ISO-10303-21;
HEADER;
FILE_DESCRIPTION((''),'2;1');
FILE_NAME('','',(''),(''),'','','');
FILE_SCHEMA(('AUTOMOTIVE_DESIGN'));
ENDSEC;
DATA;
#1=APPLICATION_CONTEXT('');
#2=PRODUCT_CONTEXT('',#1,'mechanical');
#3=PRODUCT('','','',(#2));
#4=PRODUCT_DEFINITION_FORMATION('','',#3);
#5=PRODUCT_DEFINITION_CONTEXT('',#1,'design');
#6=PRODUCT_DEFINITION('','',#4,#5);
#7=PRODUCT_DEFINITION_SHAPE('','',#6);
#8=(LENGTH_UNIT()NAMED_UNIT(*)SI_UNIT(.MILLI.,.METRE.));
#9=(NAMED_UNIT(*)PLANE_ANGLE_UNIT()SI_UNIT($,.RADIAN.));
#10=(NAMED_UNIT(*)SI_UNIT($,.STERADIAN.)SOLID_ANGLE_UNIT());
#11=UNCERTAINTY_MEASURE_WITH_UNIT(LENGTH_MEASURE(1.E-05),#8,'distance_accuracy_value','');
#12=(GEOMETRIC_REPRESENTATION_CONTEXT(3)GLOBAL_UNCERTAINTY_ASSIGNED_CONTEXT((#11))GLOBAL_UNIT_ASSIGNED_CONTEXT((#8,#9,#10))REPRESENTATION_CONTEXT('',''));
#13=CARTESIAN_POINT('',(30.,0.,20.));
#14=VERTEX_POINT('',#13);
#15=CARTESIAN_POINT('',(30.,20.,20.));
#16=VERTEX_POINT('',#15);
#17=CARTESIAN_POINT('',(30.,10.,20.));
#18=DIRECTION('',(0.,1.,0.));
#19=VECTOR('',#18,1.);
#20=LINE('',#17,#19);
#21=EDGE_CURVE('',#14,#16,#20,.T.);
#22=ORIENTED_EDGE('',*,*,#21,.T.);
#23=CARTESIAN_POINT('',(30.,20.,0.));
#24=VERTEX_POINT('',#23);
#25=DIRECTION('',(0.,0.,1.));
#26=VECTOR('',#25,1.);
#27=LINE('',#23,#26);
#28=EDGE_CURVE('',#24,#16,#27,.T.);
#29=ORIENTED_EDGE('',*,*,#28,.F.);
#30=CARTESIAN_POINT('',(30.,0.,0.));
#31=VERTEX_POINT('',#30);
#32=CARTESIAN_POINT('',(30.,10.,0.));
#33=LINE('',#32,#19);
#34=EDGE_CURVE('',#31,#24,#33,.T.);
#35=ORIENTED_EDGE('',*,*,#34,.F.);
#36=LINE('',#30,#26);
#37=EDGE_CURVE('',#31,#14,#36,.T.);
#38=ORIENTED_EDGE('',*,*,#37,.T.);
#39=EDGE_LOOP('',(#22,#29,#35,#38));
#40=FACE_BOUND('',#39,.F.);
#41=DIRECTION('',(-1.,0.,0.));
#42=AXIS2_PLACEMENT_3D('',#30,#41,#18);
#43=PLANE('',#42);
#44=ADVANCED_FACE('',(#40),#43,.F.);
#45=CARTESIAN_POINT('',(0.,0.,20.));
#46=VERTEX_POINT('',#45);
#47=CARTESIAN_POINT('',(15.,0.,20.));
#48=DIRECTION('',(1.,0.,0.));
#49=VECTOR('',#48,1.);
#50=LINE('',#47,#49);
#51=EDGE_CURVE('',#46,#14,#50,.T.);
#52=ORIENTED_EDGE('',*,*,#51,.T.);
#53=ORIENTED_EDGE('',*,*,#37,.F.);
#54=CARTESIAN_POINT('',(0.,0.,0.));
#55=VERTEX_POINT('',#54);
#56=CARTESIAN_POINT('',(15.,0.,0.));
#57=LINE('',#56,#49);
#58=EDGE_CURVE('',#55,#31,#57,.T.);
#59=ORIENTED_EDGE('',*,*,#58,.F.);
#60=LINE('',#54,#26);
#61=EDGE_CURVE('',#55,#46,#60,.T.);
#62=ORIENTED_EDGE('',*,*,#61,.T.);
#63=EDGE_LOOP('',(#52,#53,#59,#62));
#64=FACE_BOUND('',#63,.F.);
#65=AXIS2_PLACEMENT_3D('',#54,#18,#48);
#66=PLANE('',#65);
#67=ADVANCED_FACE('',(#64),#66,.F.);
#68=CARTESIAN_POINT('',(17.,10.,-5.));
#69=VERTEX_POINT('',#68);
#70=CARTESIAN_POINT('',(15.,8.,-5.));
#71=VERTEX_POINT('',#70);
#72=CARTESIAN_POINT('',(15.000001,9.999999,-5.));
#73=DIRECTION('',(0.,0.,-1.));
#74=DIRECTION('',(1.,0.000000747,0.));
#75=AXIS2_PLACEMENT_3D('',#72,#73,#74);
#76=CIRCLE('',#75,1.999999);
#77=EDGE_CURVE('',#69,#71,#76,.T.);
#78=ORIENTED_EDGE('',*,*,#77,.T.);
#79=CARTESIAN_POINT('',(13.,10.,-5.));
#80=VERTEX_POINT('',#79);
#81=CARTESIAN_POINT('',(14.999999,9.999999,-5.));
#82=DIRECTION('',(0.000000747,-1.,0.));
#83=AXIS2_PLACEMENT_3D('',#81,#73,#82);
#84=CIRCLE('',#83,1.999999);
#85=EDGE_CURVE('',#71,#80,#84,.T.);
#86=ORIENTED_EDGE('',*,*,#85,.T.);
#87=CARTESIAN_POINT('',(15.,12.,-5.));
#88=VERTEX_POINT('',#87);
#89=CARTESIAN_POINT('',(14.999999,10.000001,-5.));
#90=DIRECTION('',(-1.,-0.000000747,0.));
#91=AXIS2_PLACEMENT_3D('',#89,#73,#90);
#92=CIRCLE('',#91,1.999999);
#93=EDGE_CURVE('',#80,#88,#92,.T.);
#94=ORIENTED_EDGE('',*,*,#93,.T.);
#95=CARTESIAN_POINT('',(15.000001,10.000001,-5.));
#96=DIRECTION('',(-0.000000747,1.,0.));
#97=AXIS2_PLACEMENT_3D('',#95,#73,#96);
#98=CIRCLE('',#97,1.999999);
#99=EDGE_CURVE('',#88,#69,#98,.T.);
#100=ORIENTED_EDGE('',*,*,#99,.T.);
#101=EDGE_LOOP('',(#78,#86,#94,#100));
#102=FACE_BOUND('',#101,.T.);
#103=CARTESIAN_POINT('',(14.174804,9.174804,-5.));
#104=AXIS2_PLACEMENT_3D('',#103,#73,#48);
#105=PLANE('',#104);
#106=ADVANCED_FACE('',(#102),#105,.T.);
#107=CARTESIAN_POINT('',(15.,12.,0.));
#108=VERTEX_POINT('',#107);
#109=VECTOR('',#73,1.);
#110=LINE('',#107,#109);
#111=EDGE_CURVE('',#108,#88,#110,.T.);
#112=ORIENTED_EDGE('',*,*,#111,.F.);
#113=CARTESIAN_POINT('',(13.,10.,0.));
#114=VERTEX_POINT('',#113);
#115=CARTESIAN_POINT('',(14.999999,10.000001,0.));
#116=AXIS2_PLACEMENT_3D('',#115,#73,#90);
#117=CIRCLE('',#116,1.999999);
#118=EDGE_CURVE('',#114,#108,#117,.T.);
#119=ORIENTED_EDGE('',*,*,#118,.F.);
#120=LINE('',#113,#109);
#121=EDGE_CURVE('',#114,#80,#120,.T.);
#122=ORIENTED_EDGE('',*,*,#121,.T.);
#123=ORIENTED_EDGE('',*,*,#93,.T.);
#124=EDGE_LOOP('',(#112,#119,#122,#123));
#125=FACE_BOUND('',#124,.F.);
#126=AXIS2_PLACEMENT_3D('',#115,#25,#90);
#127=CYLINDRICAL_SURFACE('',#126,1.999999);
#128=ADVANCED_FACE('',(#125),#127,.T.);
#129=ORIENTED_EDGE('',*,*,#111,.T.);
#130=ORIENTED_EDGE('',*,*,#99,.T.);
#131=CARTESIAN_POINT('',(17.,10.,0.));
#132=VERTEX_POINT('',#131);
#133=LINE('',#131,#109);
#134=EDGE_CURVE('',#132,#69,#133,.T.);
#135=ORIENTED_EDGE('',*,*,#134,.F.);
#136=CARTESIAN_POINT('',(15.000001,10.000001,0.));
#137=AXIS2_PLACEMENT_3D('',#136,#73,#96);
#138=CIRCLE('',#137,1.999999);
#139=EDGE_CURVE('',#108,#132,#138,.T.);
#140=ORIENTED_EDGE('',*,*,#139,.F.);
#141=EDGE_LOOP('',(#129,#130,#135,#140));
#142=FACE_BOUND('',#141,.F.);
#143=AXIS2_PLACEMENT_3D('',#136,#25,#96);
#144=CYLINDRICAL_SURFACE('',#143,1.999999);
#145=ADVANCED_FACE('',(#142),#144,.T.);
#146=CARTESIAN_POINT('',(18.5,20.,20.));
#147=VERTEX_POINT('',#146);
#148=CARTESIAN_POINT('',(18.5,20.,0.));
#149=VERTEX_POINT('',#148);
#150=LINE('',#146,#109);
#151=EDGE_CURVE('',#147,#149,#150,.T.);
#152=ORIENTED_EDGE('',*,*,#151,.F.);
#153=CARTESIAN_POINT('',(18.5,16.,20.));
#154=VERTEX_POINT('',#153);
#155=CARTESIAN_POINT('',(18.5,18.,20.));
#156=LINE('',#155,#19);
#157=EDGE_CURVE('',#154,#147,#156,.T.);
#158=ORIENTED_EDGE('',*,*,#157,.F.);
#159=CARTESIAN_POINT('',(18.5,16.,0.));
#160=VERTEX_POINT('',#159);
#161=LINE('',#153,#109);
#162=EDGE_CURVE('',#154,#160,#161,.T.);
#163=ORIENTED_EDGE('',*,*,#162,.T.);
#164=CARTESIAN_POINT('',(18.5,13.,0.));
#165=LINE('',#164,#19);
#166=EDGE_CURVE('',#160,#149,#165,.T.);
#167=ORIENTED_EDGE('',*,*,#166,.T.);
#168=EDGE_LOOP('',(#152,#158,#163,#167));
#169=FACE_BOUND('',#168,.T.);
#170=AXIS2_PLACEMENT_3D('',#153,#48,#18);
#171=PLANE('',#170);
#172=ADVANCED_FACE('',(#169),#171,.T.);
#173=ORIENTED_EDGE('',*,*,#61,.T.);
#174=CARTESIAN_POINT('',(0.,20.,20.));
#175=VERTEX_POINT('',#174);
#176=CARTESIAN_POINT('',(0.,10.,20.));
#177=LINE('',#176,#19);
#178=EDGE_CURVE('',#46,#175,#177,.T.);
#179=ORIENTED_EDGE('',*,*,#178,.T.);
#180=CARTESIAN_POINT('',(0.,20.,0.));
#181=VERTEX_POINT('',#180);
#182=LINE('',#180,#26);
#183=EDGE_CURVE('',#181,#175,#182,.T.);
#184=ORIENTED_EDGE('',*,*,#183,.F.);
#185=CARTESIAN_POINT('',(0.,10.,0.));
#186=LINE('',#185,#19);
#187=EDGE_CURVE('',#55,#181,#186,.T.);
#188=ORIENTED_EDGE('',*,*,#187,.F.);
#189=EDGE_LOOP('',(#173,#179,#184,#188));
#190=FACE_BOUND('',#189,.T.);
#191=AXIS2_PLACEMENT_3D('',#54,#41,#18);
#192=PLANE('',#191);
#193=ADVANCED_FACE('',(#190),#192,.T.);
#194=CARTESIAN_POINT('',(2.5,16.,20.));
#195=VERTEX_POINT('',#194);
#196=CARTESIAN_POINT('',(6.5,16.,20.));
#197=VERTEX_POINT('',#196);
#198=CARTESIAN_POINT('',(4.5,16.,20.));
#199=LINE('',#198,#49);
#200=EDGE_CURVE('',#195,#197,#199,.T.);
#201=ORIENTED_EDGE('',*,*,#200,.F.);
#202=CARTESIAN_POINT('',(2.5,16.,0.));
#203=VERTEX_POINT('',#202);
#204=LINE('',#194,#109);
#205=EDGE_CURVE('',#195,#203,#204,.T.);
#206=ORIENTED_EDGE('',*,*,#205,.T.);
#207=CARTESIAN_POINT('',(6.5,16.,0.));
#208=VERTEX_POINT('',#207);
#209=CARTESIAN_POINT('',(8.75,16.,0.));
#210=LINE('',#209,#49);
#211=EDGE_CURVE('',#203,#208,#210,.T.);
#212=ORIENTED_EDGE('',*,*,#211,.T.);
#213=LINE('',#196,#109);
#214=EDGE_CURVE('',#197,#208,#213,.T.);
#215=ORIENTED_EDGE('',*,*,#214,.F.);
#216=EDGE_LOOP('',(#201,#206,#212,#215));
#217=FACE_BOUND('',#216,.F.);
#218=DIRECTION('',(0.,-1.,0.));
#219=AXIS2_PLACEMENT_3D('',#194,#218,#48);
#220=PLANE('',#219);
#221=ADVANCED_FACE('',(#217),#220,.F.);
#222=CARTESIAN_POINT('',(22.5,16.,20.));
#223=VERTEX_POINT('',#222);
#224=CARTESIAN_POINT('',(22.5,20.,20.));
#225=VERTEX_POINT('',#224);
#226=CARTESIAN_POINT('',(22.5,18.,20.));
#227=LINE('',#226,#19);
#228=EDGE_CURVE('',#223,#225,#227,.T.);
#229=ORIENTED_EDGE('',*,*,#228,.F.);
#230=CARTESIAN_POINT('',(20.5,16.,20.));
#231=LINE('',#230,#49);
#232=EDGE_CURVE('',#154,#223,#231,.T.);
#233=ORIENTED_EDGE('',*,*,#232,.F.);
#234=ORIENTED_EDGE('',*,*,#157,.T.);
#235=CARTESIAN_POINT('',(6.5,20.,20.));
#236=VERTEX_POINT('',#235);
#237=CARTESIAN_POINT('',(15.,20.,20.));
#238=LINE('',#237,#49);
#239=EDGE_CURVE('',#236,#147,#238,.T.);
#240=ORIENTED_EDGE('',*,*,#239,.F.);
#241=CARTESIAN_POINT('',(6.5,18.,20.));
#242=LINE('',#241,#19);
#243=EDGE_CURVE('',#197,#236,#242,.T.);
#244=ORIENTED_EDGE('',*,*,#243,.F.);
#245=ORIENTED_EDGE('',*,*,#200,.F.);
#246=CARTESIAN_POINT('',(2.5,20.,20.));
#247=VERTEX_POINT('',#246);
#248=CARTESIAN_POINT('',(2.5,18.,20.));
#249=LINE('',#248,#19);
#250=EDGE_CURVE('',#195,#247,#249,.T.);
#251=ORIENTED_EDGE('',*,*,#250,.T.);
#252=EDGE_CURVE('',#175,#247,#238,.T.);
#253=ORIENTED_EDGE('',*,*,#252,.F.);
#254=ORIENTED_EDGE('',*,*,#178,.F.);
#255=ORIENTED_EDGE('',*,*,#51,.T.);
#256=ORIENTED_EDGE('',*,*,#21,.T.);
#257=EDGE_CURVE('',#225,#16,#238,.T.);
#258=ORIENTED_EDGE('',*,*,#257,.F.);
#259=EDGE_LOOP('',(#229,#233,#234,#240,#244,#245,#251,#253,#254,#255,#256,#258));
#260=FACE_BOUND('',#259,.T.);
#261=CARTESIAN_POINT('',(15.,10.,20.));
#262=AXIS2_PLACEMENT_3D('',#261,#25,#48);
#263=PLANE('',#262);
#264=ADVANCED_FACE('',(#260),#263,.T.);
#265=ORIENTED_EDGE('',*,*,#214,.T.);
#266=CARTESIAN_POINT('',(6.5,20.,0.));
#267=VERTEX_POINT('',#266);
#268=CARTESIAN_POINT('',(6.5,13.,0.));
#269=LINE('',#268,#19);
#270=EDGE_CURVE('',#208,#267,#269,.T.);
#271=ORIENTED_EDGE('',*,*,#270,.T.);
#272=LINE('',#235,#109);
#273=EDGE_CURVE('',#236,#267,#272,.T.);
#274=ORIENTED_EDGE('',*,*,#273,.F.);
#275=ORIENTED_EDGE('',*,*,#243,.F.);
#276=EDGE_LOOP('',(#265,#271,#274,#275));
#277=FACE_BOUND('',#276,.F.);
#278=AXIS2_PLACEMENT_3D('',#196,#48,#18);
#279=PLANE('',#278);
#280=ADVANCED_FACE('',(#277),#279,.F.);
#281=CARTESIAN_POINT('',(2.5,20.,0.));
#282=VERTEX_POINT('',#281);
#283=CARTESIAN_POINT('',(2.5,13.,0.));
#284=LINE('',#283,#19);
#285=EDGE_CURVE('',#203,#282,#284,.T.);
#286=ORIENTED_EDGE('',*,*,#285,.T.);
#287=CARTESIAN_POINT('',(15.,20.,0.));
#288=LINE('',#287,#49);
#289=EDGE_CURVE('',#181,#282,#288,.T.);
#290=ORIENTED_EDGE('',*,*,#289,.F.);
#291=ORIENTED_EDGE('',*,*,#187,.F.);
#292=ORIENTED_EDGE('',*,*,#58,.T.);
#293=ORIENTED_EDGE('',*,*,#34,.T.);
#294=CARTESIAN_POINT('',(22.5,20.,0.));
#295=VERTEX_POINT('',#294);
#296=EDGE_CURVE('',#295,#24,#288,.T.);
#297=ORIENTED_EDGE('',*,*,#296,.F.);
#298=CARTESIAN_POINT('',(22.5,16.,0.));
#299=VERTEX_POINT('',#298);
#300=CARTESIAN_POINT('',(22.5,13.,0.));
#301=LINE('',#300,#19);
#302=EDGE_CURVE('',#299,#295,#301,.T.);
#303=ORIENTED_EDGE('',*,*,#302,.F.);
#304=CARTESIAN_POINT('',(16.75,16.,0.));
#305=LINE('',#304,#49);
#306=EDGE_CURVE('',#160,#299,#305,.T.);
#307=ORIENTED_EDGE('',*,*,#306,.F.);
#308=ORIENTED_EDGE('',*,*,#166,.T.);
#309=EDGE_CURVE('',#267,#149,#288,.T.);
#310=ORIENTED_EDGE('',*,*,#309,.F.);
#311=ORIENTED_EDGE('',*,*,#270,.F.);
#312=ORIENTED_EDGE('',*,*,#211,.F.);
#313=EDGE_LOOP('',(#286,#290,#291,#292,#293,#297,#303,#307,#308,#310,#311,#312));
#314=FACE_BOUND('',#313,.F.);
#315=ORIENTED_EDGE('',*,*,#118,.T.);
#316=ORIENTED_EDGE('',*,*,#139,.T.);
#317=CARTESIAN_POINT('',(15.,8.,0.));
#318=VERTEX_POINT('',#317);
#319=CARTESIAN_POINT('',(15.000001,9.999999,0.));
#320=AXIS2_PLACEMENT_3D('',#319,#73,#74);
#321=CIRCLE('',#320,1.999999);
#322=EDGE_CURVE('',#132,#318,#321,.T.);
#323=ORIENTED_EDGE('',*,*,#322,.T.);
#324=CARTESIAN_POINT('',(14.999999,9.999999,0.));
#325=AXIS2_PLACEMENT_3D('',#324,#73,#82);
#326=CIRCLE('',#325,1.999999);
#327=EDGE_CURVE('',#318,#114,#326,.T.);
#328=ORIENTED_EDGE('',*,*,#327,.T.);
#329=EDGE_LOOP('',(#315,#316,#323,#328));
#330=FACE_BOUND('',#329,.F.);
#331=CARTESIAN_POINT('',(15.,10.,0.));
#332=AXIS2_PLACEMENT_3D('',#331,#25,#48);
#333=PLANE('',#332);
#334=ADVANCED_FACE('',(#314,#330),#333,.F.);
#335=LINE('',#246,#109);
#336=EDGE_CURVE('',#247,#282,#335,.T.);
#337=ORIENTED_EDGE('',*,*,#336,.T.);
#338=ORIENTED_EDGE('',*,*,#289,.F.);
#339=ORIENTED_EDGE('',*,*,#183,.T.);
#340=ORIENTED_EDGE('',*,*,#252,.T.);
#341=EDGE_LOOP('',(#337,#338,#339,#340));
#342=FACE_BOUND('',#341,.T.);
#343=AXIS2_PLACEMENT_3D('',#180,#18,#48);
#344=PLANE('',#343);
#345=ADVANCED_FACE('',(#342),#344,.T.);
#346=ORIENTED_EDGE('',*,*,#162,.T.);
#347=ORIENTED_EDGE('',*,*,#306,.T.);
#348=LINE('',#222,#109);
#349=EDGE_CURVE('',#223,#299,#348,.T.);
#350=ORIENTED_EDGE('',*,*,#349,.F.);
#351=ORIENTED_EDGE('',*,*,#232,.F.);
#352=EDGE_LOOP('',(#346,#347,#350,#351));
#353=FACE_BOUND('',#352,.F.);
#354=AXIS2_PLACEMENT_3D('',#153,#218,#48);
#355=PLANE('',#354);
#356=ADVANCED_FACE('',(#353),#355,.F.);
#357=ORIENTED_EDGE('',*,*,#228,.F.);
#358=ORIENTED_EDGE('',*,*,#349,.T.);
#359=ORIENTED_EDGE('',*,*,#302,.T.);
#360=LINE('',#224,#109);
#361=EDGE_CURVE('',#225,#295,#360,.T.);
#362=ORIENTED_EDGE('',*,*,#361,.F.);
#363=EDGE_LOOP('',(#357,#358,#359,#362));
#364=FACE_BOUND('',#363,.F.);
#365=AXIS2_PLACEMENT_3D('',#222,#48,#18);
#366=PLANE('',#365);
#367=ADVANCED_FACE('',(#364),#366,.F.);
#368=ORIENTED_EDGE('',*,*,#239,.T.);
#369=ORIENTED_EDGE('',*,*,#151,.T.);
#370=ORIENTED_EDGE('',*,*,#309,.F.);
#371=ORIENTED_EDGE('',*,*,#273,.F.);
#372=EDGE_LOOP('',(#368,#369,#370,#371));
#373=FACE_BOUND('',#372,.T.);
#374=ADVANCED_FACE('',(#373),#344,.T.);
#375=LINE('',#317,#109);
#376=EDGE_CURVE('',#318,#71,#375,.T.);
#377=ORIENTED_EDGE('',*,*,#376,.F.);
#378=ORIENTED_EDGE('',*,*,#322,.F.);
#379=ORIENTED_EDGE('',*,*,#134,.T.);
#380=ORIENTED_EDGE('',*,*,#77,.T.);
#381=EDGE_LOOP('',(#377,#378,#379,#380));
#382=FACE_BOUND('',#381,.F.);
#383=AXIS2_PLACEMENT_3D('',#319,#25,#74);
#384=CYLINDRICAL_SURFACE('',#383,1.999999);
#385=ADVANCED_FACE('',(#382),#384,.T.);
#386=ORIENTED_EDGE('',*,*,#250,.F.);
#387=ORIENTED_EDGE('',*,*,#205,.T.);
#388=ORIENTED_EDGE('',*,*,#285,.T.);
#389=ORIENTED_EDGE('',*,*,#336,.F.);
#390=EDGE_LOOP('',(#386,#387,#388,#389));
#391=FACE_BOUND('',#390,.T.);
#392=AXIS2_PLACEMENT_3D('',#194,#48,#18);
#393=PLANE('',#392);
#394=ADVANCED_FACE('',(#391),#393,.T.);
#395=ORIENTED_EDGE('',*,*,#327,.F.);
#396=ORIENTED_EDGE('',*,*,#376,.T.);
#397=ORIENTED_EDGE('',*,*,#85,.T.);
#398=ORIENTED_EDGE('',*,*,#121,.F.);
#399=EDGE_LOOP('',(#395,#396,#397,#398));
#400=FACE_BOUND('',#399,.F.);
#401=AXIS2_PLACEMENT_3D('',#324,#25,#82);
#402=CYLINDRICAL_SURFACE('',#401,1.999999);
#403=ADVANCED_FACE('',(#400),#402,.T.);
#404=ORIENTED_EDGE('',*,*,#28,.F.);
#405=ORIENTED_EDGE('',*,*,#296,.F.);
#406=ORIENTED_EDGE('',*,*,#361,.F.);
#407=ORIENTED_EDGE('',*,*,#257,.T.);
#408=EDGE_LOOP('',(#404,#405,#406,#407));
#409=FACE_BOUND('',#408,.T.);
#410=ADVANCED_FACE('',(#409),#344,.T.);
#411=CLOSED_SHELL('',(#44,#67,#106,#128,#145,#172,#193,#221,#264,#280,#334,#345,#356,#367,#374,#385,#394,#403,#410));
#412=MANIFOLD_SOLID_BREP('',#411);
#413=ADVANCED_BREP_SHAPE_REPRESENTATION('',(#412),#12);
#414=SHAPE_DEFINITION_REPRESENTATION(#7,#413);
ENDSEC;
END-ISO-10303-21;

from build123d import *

# Parameters (mm, degrees)
F0_W     = 30
F0_H     = 20
F1_DEPTH = 20
F2_W     = 4
F2_H     = 4
F3_DEPTH = 20.001
F5_DEPTH = 5


with BuildPart() as f1:
    # F0 (on Top) → F1 (new body)
    with BuildSketch(Plane.XY):
        with Locations((15, 10)):
            Rectangle(F0_W, F0_H)
    extrude(amount=F1_DEPTH)

    # F2 (on face) → F3 (cut, through all)
    with BuildSketch(Plane.XY.offset(20)):
        with Locations((4.5, 18)):
            Rectangle(F2_W, F2_H)
        with Locations((20.5, 18)):
            Rectangle(F2_W, F2_H)
    extrude(amount=-F3_DEPTH, mode=Mode.SUBTRACT)

    # F4 (on face) → F5 (join)
    with BuildSketch(Plane(origin=(0, 0, 0), x_dir=(1, 0, 0), z_dir=(0, 0, -1))):
        with BuildLine():
            ThreePointArc((15, -8), (13.585786, -8.585786), (13, -10))
            Line((13, -10), (15, -10))
            Line((15, -10), (15, -8))
        make_face()
        with BuildLine():
            Line((15, -10), (13, -10))
            ThreePointArc((13, -10), (13.585786, -11.414214), (15, -12))
            Line((15, -12), (15, -10))
        make_face()
        with BuildLine():
            Line((15, -8), (15, -10))
            Line((15, -10), (17, -10))
            ThreePointArc((17, -10), (16.414214, -8.585786), (15, -8))
        make_face()
        with BuildLine():
            Line((17, -10), (15, -10))
            Line((15, -10), (15, -12))
            ThreePointArc((15, -12), (16.414214, -11.414214), (17, -10))
        make_face()
    extrude(amount=F5_DEPTH)


solid = f1.part
